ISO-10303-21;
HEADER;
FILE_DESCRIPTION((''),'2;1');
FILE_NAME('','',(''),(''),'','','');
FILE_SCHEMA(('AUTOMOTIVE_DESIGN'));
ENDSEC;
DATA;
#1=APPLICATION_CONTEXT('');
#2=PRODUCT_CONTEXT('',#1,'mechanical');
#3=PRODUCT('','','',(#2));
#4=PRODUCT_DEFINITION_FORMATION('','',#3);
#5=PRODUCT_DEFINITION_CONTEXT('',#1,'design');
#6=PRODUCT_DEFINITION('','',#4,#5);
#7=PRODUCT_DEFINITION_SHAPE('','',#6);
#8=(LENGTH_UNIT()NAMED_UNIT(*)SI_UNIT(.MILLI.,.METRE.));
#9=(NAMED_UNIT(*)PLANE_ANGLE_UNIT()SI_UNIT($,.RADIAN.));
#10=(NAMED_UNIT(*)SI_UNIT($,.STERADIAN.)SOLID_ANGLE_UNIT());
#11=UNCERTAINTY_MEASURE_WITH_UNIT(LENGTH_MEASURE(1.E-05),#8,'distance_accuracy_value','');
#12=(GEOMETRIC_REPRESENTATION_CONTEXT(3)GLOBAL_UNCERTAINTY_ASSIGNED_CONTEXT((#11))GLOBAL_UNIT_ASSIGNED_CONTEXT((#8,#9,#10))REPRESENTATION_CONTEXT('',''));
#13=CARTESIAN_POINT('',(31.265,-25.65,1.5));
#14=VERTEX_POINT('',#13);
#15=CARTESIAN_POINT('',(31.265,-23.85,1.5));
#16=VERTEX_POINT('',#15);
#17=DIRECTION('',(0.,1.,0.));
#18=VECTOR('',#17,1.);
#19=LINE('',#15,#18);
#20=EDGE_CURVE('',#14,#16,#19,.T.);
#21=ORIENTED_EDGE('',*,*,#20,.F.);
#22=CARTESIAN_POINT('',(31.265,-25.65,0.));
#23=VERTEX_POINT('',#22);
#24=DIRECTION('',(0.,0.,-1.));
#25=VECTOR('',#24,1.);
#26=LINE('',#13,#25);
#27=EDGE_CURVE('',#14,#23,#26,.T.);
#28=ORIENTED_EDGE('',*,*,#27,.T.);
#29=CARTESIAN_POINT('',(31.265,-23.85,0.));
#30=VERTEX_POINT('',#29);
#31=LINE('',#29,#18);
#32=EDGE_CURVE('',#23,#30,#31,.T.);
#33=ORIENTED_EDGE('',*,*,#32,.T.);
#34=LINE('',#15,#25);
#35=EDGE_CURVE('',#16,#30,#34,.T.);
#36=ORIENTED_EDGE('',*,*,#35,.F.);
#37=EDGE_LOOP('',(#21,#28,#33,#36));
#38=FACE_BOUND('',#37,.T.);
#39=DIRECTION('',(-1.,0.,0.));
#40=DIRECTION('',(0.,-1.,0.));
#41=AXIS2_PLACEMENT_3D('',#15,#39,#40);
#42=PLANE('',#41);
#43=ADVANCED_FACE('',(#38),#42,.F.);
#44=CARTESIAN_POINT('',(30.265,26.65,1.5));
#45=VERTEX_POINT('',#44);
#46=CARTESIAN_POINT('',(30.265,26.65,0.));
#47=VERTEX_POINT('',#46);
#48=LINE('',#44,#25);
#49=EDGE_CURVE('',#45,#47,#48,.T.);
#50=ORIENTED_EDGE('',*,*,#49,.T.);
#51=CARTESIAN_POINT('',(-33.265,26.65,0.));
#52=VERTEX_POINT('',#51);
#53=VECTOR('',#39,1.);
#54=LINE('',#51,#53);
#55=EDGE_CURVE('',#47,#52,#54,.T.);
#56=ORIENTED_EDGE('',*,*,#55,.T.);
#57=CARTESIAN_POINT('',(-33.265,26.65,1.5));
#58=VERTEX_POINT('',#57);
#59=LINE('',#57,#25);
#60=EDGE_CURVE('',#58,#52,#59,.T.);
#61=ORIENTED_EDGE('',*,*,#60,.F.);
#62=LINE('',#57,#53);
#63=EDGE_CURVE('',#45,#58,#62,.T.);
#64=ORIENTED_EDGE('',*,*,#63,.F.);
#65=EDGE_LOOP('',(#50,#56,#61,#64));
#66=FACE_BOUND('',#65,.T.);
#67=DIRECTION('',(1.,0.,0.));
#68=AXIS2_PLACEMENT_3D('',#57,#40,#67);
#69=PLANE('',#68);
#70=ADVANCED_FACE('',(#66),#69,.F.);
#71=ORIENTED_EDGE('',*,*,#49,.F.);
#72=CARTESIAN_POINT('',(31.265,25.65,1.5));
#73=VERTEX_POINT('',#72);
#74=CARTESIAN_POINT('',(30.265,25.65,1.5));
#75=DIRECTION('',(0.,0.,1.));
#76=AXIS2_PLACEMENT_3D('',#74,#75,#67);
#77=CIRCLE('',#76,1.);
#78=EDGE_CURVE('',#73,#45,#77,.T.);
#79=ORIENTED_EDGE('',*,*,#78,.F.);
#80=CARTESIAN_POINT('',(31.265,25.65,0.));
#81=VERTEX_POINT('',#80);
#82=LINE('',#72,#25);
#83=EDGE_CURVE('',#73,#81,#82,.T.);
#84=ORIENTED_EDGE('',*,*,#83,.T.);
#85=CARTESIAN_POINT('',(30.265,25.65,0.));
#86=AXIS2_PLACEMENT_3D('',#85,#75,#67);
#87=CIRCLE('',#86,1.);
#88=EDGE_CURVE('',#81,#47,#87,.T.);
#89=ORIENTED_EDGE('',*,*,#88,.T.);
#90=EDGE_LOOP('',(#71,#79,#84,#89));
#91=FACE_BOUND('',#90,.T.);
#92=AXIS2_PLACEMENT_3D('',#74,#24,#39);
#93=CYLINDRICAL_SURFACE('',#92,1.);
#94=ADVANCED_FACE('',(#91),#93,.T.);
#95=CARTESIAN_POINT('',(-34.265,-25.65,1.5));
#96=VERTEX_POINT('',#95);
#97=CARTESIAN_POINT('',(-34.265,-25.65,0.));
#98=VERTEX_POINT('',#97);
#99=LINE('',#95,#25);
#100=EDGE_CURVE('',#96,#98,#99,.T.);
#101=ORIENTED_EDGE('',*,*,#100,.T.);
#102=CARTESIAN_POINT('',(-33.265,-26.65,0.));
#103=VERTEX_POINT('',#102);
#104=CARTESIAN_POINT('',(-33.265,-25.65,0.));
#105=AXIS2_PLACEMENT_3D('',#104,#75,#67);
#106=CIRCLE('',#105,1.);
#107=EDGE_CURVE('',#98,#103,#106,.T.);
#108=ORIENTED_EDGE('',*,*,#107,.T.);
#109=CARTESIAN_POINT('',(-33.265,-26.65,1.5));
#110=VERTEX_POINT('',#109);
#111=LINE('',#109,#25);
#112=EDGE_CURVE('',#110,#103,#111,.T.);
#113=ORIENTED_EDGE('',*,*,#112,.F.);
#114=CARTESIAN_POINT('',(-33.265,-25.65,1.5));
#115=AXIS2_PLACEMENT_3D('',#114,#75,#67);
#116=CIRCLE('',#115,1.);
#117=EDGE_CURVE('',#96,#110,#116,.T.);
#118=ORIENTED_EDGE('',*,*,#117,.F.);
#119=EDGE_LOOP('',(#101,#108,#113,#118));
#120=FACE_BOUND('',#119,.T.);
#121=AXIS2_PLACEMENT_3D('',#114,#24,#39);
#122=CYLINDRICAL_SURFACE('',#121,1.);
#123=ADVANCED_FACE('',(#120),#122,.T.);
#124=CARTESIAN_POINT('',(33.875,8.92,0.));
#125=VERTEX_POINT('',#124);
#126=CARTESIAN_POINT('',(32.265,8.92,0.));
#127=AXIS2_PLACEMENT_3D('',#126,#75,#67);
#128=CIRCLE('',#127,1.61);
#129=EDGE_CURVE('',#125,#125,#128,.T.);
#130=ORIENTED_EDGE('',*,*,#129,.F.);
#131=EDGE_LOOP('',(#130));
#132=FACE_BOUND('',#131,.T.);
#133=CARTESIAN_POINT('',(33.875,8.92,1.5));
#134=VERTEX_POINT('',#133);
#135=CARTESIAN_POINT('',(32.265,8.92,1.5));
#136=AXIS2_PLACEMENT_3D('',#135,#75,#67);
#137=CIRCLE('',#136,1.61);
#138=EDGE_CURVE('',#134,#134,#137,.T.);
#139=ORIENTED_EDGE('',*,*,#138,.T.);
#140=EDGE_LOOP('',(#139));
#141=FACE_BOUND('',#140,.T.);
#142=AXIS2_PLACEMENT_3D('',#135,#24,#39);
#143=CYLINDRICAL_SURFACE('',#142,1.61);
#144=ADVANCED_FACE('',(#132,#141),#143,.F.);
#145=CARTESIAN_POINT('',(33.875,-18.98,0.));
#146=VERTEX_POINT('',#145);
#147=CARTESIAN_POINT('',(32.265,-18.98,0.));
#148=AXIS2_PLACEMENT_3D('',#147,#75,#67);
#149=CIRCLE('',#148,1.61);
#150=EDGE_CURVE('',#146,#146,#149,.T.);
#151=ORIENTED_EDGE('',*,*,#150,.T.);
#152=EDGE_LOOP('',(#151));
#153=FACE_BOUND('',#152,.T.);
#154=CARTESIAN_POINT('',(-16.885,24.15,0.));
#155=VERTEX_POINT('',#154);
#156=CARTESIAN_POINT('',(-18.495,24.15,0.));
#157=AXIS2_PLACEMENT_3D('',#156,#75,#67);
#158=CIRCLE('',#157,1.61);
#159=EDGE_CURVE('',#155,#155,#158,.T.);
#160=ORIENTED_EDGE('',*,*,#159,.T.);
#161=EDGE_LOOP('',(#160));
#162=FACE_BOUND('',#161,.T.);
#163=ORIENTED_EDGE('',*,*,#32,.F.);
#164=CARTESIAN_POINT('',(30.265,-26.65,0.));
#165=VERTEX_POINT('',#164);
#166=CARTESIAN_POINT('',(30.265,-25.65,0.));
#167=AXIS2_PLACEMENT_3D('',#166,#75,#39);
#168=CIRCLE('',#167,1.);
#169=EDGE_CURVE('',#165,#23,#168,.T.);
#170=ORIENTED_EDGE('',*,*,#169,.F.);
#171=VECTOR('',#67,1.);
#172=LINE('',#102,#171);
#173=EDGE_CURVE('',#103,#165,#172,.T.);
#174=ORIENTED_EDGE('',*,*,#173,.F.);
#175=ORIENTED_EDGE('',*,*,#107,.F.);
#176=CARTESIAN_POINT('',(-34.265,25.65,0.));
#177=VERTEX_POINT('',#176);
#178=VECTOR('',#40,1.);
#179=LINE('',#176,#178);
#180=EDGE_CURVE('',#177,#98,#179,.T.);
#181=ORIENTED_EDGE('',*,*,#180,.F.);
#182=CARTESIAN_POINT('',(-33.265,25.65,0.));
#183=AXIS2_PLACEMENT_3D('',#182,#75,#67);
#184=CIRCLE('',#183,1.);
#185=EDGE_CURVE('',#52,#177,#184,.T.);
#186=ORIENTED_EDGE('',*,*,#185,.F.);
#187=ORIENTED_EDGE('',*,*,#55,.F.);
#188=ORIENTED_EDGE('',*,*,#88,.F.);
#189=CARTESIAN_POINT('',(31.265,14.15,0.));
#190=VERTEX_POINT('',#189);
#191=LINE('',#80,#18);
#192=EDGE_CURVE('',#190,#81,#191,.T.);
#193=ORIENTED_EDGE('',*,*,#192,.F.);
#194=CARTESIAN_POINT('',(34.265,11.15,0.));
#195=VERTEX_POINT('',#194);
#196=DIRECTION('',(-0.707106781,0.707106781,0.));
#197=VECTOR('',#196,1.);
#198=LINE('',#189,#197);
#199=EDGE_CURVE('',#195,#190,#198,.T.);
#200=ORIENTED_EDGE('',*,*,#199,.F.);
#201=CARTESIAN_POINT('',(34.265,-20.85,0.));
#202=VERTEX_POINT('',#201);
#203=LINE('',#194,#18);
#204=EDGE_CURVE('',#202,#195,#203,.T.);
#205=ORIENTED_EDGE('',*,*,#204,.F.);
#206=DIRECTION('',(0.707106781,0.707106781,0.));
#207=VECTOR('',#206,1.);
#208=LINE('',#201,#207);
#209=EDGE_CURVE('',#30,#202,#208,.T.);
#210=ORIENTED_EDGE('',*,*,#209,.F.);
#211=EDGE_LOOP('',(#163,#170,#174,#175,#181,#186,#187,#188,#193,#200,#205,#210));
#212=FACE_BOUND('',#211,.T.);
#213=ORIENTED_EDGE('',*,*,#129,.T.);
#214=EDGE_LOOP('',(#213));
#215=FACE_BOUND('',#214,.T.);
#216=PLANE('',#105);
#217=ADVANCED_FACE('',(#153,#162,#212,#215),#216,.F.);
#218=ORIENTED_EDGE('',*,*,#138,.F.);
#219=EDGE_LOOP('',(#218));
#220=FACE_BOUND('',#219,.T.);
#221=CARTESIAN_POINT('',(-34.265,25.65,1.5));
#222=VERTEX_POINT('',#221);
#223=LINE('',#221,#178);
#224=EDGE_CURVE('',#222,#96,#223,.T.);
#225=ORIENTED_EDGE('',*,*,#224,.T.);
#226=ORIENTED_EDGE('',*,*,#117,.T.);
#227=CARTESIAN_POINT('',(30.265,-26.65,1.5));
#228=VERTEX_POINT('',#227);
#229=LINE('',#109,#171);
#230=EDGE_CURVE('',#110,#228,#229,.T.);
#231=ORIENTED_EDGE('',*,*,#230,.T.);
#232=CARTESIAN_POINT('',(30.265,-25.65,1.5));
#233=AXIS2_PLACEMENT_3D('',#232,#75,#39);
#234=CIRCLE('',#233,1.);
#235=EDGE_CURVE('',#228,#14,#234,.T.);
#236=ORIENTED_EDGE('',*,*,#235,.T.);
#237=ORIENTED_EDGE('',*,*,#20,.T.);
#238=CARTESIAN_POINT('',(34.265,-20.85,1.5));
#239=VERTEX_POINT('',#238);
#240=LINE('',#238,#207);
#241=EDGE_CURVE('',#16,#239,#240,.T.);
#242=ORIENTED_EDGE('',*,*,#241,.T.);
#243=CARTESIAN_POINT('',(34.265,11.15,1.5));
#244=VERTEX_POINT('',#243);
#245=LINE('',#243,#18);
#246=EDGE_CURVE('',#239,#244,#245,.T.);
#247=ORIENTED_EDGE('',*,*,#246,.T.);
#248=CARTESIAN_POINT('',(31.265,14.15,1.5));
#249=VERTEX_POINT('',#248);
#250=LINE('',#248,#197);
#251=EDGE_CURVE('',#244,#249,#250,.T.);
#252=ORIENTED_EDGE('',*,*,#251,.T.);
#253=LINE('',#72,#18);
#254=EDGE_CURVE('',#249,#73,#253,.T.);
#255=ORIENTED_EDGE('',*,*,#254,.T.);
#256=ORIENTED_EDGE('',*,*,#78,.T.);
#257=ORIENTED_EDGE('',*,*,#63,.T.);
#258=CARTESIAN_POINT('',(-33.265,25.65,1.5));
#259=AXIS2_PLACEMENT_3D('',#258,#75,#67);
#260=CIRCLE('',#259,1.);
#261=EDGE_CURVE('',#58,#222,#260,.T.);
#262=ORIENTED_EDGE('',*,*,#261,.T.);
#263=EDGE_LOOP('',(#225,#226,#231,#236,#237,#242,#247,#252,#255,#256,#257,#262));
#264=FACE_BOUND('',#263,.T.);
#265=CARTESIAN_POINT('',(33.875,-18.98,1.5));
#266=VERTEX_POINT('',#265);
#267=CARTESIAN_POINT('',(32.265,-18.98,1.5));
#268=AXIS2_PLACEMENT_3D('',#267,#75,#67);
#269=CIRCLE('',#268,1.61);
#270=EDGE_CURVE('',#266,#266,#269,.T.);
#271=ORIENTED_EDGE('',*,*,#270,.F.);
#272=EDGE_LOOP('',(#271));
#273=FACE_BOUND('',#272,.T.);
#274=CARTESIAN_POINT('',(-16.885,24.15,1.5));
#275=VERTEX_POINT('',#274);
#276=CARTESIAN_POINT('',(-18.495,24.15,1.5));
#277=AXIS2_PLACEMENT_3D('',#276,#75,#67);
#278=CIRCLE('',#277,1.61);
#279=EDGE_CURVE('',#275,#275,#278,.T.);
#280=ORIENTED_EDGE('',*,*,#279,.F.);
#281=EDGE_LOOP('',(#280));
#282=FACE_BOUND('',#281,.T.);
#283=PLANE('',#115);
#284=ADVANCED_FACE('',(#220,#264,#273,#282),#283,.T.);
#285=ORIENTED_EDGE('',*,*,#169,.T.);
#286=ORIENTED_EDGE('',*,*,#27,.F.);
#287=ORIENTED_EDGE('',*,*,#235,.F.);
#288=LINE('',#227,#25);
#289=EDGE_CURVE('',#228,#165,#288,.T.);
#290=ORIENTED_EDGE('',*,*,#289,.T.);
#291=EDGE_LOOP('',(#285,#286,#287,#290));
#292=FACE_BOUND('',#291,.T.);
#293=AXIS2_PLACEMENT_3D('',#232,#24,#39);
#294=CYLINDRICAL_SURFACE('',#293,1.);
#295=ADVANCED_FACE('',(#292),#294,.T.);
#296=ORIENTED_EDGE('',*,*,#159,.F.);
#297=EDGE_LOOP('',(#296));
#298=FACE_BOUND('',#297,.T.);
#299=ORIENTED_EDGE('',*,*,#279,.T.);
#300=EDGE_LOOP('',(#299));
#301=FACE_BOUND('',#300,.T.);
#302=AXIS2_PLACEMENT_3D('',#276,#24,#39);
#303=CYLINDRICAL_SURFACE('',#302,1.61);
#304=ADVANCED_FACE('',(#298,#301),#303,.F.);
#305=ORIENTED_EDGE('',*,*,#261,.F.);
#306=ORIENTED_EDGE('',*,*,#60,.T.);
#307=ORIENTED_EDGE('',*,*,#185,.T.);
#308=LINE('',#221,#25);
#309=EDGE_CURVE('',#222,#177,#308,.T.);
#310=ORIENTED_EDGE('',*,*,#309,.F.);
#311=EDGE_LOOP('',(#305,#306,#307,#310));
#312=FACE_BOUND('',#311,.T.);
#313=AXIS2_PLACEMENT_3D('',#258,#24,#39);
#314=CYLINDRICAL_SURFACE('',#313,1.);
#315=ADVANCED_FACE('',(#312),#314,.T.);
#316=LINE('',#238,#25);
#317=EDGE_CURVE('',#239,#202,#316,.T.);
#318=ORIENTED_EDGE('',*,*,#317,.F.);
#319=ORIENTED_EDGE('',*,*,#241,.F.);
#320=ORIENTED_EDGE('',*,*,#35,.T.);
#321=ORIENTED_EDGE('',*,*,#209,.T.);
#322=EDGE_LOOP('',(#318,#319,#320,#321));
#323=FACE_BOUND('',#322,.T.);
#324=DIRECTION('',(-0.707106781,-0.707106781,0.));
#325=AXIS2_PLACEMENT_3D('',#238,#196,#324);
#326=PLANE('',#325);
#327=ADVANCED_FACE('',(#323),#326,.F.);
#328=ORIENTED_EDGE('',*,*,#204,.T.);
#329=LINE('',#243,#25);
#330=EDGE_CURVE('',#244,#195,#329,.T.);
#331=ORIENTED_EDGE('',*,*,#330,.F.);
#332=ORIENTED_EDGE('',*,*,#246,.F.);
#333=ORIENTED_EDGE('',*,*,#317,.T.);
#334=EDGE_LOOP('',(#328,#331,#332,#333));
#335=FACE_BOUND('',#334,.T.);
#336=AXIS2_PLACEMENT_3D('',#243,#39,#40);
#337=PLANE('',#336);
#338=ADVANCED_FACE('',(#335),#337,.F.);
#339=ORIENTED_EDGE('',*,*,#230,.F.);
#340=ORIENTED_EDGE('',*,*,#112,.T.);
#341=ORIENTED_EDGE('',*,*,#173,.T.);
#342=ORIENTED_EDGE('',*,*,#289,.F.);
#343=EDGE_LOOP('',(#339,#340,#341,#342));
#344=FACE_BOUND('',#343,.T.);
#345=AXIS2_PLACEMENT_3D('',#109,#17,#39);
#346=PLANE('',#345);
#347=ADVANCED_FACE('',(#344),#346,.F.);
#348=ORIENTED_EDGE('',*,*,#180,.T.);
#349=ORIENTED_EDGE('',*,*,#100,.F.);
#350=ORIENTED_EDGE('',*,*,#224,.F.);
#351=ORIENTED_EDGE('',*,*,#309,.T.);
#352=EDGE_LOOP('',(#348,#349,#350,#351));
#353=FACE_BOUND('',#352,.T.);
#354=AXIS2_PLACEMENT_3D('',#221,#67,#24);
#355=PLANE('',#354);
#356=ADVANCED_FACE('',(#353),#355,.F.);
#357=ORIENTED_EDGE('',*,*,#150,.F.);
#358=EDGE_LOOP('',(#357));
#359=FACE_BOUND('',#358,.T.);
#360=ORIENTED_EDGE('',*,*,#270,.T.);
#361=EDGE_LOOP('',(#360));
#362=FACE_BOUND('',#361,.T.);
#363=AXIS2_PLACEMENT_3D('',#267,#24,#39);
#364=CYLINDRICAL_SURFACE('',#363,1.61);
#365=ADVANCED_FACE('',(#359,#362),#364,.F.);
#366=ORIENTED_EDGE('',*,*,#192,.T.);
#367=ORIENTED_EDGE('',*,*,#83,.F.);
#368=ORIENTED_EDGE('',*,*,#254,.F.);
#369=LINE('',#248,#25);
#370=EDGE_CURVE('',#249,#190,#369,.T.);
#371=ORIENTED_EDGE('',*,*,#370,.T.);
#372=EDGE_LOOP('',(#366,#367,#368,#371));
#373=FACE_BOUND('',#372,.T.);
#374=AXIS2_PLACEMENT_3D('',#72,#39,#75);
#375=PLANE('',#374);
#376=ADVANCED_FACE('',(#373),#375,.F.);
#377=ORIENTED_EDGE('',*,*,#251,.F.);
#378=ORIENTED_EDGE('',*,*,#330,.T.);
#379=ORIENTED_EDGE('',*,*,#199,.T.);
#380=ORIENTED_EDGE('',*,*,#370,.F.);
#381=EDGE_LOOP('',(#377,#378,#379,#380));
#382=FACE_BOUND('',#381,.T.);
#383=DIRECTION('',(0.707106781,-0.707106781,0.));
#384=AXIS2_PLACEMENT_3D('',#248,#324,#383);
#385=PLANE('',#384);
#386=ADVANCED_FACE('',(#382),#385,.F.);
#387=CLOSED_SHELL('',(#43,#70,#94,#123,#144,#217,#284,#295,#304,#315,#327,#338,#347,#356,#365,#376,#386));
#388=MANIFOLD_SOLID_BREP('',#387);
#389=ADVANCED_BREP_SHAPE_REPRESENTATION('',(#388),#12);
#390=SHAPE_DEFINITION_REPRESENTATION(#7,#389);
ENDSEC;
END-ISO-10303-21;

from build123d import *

# Parameters (mm, degrees)
ESQUISSE1_R        = 1.61
BOSS_EXTRU_1_DEPTH = 1.5


with BuildPart() as part:
    # Esquisse1 → Boss.-Extru.1 (new body)
    with BuildSketch(Plane.XY):
        with BuildLine():
            Line((31.265, 25.65), (31.265, 14.15))
            Line((31.265, 14.15), (34.265, 11.15))
            Line((34.265, 11.15), (34.265, -20.85))
            Line((34.265, -20.85), (31.265, -23.85))
            Line((31.265, -23.85), (31.265, -25.65))
            ThreePointArc((31.265, -25.65), (30.972106781, -26.357106781), (30.265, -26.65))
            Line((30.265, -26.65), (-33.265, -26.65))
            ThreePointArc((-33.265, -26.65), (-33.972106781, -26.357106781), (-34.265, -25.65))
            Line((-34.265, -25.65), (-34.265, 25.65))
            ThreePointArc((-34.265, 25.65), (-33.972106781, 26.357106781), (-33.265, 26.65))
            Line((-33.265, 26.65), (30.265, 26.65))
            ThreePointArc((30.265, 26.65), (30.972106781, 26.357106781), (31.265, 25.65))
        make_face()
        with Locations((32.265, 8.92)):
            Circle(ESQUISSE1_R, mode=Mode.SUBTRACT)
        with Locations((32.265, -18.98)):
            Circle(ESQUISSE1_R, mode=Mode.SUBTRACT)
        with Locations((-18.495, 24.15)):
            Circle(ESQUISSE1_R, mode=Mode.SUBTRACT)
    extrude(amount=BOSS_EXTRU_1_DEPTH)


solid = part.part
